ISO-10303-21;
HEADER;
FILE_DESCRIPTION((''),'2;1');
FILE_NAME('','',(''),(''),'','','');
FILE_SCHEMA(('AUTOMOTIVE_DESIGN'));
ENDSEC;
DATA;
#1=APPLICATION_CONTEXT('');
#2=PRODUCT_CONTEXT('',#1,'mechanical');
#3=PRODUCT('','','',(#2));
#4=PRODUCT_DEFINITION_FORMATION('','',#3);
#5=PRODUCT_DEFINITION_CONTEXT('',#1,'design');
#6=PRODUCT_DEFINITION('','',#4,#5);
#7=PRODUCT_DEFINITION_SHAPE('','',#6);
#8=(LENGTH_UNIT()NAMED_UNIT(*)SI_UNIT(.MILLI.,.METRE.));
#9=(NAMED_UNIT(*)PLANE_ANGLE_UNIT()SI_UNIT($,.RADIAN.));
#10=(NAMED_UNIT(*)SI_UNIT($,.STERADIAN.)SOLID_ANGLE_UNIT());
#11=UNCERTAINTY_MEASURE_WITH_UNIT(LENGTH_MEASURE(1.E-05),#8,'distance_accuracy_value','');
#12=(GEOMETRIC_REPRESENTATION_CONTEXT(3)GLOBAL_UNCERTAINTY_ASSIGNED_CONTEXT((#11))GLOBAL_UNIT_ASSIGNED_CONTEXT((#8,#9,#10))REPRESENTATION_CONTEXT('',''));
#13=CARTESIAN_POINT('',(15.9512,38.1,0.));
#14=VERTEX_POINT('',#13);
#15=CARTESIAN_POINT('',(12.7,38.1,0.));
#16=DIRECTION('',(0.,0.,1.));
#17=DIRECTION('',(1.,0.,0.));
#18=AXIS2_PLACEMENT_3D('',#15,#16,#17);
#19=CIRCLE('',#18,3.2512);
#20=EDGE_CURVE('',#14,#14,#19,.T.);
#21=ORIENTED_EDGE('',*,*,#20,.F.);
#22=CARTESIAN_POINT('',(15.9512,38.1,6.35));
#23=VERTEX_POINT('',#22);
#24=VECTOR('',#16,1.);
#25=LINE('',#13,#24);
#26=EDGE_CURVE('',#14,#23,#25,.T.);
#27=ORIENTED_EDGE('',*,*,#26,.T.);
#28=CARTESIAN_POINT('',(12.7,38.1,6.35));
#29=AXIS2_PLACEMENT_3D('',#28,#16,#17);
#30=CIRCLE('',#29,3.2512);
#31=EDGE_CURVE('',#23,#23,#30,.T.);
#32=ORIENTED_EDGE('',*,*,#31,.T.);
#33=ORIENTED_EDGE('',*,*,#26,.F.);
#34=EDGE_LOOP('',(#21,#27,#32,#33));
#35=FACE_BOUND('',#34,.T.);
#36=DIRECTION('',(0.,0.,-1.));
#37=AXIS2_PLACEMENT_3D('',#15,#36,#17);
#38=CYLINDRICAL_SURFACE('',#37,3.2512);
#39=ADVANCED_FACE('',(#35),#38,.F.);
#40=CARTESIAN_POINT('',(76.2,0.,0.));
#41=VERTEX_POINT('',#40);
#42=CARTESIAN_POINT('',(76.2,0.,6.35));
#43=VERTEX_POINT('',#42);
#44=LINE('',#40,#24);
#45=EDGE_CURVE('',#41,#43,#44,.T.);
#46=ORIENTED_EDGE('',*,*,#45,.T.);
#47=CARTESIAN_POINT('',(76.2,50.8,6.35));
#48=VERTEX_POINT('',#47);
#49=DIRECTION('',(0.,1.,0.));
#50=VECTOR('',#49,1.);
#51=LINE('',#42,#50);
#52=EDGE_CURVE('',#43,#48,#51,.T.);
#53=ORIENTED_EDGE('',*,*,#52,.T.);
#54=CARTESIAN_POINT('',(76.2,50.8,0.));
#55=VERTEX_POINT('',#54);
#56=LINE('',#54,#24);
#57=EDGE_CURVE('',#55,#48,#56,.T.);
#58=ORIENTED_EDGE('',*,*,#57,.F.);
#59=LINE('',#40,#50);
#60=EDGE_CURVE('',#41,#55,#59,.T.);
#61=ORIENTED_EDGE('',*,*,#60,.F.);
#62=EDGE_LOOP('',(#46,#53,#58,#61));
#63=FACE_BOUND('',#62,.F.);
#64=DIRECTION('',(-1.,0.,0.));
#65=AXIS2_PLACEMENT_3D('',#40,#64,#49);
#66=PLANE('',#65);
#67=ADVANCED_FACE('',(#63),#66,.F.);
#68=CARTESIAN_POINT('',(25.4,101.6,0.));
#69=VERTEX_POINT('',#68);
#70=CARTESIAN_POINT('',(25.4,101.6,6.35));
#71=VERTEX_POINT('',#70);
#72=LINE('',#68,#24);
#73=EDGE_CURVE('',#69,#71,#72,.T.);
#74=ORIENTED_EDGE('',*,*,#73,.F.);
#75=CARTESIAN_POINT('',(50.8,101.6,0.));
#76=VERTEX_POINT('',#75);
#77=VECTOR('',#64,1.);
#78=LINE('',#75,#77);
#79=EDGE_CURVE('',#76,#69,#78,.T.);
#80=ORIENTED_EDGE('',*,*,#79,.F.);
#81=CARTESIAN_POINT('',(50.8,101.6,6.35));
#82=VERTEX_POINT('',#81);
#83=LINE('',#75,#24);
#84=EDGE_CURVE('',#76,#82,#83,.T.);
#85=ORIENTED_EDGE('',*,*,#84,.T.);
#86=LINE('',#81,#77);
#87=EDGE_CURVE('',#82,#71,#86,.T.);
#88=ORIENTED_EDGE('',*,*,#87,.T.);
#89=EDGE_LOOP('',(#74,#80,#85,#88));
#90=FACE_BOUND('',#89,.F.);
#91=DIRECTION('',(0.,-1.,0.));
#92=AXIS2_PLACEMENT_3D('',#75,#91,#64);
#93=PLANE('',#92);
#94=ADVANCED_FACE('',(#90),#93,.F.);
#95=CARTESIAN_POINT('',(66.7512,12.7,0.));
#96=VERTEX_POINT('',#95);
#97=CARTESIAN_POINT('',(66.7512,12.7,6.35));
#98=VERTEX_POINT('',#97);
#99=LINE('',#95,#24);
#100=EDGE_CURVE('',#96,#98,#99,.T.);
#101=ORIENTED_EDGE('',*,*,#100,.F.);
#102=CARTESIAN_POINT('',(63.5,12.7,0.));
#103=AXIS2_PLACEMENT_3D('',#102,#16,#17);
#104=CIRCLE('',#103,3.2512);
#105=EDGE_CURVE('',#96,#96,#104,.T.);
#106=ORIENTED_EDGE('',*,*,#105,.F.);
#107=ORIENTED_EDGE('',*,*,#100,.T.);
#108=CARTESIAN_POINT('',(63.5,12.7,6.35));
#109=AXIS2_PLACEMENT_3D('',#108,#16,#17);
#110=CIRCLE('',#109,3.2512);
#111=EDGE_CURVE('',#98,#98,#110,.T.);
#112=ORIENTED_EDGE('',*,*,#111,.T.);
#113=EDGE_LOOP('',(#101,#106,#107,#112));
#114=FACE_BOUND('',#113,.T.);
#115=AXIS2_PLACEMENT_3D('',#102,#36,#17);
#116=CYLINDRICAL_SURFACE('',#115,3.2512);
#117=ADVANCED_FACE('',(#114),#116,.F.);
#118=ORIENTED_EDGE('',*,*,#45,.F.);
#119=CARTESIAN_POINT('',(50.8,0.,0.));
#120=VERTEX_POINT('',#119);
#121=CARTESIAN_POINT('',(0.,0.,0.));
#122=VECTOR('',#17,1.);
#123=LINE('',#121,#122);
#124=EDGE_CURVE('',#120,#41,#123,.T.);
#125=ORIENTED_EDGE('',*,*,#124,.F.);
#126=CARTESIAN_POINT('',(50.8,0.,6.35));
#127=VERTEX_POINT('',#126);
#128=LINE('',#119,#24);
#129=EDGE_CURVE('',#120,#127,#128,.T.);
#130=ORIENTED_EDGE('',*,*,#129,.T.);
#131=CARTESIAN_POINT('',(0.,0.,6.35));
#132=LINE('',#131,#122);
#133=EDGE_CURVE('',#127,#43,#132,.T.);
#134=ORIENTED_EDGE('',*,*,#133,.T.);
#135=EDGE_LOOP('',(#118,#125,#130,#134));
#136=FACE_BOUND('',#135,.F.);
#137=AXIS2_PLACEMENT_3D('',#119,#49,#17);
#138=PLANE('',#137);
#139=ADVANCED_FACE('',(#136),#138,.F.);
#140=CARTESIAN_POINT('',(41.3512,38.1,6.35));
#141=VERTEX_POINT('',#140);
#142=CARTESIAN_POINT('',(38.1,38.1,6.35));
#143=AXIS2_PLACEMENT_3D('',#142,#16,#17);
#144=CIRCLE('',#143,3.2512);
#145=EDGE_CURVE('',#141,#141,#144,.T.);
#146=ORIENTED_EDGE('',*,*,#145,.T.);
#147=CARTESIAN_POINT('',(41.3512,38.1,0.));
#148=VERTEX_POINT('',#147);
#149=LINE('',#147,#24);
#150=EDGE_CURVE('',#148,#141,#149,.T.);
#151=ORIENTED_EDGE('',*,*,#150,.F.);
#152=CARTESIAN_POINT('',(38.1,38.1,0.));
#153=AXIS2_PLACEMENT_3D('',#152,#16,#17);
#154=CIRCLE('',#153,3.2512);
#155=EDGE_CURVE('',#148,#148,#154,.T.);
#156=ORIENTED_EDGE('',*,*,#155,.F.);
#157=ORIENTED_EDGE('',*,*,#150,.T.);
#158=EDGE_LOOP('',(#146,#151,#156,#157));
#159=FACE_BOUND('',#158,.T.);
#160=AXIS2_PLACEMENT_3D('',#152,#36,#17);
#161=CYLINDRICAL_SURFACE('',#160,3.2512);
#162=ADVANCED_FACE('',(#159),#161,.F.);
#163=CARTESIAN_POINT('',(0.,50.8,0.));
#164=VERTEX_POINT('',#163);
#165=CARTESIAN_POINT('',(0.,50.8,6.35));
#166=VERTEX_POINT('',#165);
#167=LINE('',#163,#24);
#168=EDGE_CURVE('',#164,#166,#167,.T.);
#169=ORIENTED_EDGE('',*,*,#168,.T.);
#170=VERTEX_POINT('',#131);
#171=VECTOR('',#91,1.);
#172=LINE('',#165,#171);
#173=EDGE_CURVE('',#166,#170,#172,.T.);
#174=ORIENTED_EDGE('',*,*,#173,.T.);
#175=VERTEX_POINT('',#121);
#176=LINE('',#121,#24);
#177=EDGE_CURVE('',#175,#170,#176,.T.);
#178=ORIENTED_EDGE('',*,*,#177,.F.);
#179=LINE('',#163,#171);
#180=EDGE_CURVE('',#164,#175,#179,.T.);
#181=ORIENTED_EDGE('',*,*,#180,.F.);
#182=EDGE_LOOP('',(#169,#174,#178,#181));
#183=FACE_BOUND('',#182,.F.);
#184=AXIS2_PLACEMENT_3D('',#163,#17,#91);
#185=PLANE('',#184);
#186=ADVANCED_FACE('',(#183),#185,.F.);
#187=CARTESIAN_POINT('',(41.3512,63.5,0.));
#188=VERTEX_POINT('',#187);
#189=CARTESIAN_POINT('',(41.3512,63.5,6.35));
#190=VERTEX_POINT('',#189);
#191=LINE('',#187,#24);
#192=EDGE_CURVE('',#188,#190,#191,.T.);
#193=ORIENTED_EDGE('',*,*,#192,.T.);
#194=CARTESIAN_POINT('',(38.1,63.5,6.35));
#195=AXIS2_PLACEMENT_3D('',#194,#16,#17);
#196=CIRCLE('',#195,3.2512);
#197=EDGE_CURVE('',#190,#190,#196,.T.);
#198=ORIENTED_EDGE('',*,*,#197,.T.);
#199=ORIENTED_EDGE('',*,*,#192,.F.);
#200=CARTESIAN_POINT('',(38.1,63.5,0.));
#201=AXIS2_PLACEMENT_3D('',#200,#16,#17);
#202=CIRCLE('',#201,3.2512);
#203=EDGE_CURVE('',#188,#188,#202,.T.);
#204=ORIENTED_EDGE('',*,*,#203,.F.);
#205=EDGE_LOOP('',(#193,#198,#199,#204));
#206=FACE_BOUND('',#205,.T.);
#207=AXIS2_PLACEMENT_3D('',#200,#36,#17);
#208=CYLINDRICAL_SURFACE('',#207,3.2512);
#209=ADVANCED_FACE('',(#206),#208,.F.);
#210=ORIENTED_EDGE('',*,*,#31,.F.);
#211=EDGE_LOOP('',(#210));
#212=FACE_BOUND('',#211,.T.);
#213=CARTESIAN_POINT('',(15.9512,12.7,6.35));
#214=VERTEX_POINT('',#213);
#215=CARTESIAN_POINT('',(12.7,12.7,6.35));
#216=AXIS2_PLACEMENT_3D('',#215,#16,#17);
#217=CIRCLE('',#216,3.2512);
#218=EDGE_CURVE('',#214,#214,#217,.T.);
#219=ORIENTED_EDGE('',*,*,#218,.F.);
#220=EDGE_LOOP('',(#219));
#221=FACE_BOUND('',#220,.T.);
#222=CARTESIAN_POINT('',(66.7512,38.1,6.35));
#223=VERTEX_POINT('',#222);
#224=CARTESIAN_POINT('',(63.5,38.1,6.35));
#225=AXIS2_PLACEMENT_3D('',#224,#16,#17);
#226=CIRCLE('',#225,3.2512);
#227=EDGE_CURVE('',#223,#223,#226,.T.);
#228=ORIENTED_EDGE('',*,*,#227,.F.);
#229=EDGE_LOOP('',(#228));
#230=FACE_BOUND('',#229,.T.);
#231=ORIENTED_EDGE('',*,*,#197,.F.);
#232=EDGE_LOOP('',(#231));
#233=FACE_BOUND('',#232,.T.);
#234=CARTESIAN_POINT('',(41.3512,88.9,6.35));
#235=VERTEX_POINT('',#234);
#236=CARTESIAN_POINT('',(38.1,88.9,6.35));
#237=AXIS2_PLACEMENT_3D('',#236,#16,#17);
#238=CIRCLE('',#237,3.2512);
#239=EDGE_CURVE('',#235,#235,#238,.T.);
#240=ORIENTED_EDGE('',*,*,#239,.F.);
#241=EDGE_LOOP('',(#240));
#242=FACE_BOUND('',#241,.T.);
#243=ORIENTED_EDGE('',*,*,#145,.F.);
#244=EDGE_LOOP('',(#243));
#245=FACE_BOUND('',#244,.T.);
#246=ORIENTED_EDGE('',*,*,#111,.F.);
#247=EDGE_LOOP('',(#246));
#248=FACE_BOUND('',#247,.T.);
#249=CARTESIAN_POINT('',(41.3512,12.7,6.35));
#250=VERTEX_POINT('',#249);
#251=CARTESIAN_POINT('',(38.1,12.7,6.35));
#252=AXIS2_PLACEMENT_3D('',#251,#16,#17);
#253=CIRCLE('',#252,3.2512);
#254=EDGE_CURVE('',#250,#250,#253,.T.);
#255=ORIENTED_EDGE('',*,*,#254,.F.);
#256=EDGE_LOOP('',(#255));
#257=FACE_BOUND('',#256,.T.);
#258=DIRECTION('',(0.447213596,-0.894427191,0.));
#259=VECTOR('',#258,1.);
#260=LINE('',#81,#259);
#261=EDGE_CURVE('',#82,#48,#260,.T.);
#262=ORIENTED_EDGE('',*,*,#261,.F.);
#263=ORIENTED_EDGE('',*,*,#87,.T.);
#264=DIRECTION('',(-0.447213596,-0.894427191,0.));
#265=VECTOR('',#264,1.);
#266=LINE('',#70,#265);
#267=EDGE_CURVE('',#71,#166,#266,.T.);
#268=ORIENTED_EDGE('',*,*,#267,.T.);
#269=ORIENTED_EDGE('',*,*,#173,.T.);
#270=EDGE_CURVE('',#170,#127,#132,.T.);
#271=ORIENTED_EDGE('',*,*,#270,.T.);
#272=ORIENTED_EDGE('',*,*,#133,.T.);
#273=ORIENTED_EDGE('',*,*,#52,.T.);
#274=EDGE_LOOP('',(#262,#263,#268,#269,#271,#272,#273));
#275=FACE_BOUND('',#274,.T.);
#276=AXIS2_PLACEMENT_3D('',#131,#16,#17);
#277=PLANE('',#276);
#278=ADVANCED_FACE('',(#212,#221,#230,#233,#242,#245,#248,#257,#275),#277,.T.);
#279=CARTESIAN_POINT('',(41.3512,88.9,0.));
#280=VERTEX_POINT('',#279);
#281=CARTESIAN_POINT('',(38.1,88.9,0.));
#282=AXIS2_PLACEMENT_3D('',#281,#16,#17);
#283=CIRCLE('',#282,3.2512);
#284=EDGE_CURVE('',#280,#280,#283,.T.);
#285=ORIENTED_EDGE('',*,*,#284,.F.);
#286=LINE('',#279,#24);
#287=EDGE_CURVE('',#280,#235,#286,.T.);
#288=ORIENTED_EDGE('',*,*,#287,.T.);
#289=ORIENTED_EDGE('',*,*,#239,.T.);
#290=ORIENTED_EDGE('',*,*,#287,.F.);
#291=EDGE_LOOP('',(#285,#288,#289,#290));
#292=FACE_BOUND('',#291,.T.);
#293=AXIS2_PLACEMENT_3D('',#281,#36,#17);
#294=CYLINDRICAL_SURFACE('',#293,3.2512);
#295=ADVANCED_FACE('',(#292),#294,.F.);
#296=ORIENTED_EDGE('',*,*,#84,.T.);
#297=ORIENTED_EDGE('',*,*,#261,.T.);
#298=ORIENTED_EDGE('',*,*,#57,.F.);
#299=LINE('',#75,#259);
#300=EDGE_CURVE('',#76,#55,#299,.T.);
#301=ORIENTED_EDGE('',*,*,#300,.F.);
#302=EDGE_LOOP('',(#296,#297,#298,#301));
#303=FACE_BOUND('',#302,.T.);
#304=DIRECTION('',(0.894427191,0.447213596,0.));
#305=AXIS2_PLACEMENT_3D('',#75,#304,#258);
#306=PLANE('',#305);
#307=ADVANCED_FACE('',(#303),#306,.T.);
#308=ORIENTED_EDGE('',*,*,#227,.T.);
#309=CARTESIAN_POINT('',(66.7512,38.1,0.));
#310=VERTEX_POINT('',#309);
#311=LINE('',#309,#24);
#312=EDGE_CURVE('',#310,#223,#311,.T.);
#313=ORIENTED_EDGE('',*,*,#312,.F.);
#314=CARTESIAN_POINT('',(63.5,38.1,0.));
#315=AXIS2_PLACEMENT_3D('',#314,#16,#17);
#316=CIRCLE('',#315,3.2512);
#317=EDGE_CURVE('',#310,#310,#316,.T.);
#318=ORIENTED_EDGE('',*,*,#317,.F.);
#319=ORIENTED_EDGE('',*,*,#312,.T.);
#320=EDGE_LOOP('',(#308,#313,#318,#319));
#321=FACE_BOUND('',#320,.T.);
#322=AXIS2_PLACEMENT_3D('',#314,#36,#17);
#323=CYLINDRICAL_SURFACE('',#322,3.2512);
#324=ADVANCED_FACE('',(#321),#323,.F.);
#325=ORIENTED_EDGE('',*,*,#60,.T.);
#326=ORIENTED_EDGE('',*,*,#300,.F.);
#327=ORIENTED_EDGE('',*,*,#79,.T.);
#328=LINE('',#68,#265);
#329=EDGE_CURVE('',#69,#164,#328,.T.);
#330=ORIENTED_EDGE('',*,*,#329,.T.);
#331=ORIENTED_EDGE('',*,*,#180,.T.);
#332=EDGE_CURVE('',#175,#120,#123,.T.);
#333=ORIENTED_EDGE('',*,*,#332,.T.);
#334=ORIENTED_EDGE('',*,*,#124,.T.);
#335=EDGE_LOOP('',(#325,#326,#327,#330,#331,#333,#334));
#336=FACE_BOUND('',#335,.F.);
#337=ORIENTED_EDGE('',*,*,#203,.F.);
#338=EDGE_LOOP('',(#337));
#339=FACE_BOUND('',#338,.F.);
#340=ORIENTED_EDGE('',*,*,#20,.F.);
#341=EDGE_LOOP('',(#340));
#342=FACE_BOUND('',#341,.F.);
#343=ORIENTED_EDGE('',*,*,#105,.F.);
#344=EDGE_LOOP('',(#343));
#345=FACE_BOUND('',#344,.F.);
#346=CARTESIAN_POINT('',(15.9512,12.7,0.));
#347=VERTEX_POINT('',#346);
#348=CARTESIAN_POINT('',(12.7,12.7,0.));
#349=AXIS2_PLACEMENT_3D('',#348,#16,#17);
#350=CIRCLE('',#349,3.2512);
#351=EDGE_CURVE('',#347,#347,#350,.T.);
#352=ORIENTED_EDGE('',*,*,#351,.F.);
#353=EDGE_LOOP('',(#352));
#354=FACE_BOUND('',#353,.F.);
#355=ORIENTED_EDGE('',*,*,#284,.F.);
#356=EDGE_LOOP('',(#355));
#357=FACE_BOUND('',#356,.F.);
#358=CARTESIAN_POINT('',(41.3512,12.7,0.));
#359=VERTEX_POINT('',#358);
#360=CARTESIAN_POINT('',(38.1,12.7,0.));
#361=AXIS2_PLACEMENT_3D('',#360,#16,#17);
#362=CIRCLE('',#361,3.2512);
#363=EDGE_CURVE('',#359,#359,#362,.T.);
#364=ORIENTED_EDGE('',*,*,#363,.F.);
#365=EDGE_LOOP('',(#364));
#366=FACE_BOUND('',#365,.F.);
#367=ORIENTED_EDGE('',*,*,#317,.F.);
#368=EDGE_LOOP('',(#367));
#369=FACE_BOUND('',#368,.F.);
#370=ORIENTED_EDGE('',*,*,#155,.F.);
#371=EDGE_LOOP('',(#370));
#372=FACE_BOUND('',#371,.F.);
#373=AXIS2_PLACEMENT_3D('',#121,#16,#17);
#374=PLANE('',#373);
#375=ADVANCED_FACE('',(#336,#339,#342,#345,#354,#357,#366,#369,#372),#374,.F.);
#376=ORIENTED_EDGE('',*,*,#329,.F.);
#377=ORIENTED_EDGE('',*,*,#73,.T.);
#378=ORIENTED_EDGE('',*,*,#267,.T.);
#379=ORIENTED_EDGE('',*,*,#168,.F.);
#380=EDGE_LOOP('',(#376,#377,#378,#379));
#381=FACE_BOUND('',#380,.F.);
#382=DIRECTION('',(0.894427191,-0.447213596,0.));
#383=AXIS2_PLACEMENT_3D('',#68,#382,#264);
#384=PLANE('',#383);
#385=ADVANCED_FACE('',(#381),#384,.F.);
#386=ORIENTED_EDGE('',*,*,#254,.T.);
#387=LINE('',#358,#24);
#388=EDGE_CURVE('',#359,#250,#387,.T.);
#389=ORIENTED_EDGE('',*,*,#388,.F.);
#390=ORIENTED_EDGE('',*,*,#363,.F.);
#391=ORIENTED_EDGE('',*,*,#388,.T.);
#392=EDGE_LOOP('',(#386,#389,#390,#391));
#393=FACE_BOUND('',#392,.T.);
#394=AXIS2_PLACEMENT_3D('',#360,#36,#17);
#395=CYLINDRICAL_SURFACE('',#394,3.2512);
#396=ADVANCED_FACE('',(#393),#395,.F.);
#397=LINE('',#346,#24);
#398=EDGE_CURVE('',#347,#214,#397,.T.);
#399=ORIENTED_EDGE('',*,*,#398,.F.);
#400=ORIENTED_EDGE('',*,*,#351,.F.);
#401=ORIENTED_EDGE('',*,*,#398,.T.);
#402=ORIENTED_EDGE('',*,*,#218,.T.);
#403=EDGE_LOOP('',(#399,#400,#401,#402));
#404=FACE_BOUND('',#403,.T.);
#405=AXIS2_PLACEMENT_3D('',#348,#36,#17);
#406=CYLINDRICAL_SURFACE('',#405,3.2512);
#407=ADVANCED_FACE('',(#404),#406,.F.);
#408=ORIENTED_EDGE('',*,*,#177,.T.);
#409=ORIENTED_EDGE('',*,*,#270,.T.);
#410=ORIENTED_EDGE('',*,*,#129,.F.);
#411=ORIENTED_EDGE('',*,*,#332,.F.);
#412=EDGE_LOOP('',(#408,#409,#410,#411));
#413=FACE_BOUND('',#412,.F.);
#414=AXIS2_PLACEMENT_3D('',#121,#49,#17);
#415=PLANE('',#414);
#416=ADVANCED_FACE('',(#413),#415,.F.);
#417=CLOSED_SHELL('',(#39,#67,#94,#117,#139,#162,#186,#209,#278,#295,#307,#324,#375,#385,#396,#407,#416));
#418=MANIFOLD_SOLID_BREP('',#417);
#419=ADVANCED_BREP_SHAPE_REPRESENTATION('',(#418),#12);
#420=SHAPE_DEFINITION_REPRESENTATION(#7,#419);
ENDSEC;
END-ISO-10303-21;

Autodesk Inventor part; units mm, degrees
ref_plane "YZ Plane" through (0, 0, 0) normal (1, 0, 0) x (0, 1, 0)
ref_plane "XZ Plane" through (0, 0, 0) normal (0, 1, 0) x (-1, 0, 0)
ref_plane "XY Plane" through (0, 0, 0) normal (0, 0, 1) x (1, 0, 0)
sketch "Sketch1" plane through (0, 0, 0) normal (0, 0, 1) x (1, 0, 0)
  line L0 (0, 0) -> (76.2, 0)
  line L1 (76.2, 0) -> (76.2, 50.8)
  line L2 (0, 50.8) -> (0, 0)
  line L3 (0, 0) -> (50.8, 0)
  line L4 (50.8, 101.6) -> (25.4, 101.6)
  line L5 (0, 50.8) -> (0, 0)
  line L6 (25.4, 101.6) -> (0, 50.8)
  line L7 (50.8, 101.6) -> (76.2, 50.8)
  line L8 (76.2, 50.8) -> (0, 50.8) construction
  circle A0 centre (12.7, 12.7) radius 3.2512
  circle A1 centre (12.7, 38.1) radius 3.2512
  circle A2 centre (38.1, 12.7) radius 3.2512
  circle A3 centre (38.1, 38.1) radius 3.2512
  circle A4 centre (63.5, 12.7) radius 3.2512
  circle A5 centre (63.5, 38.1) radius 3.2512
  circle A6 centre (38.1, 63.5) radius 3.2512
  circle A7 centre (38.1, 88.9) radius 3.2512
  dimension "d10" = 50.8
  dimension "d13" = 76.2
  dimension "d14" = 25.4
  dimension "d15" = 25.4
  dimension "d16" = 50.8
  dimension "d17" = 6.5024
  dimension "d18" = 12.7
  dimension "d19" = 12.7
  dimension "d22" = 25.4
  dimension "d25" = 25.4
  dimension "d30" = 25.4
extrude "Extrusion1" add sketch "Sketch1" along normal blind 6.35
properties part number "1x3 t plate"
